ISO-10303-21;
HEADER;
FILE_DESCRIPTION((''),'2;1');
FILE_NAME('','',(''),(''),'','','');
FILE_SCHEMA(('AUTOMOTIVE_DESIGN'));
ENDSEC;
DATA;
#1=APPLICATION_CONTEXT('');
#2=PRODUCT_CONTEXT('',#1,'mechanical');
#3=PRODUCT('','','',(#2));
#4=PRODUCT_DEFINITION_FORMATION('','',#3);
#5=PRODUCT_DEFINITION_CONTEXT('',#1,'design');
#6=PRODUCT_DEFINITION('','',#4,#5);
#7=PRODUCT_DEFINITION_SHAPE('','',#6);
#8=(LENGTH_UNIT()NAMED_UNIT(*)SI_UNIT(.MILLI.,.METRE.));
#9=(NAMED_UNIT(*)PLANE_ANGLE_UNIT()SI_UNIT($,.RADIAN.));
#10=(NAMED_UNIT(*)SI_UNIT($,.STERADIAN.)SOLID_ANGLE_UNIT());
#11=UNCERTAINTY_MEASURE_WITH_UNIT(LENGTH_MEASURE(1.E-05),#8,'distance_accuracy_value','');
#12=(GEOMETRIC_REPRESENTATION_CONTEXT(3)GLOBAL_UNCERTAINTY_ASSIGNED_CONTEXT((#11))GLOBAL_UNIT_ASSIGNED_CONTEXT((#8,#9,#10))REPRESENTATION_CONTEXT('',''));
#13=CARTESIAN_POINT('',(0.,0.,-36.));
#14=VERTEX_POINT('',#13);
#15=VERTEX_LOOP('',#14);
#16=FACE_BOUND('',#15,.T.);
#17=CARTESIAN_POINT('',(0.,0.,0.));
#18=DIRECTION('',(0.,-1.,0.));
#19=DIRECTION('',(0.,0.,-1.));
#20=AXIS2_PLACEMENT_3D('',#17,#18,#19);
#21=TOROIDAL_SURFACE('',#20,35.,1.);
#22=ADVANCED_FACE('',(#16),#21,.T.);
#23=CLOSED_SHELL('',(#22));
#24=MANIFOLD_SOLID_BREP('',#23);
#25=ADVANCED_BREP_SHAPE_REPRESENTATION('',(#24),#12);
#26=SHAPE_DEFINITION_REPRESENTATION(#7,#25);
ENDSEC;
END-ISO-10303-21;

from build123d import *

# Parameters (mm, degrees)
SKETCH1_R = 1


with BuildPart() as part:
    # Sketch1 → Revolve1 (revolve)
    with BuildSketch(Plane.XY, mode=Mode.PRIVATE) as revolve1_sk:
        with Locations((35, 0)):
            Circle(SKETCH1_R)
    revolve(revolve1_sk.sketch.rotate(Axis((0, 0, 0), (0, 1, 0)), 90), axis=Axis((0, 0, 0), (0, 1, 0)))


solid = part.part
